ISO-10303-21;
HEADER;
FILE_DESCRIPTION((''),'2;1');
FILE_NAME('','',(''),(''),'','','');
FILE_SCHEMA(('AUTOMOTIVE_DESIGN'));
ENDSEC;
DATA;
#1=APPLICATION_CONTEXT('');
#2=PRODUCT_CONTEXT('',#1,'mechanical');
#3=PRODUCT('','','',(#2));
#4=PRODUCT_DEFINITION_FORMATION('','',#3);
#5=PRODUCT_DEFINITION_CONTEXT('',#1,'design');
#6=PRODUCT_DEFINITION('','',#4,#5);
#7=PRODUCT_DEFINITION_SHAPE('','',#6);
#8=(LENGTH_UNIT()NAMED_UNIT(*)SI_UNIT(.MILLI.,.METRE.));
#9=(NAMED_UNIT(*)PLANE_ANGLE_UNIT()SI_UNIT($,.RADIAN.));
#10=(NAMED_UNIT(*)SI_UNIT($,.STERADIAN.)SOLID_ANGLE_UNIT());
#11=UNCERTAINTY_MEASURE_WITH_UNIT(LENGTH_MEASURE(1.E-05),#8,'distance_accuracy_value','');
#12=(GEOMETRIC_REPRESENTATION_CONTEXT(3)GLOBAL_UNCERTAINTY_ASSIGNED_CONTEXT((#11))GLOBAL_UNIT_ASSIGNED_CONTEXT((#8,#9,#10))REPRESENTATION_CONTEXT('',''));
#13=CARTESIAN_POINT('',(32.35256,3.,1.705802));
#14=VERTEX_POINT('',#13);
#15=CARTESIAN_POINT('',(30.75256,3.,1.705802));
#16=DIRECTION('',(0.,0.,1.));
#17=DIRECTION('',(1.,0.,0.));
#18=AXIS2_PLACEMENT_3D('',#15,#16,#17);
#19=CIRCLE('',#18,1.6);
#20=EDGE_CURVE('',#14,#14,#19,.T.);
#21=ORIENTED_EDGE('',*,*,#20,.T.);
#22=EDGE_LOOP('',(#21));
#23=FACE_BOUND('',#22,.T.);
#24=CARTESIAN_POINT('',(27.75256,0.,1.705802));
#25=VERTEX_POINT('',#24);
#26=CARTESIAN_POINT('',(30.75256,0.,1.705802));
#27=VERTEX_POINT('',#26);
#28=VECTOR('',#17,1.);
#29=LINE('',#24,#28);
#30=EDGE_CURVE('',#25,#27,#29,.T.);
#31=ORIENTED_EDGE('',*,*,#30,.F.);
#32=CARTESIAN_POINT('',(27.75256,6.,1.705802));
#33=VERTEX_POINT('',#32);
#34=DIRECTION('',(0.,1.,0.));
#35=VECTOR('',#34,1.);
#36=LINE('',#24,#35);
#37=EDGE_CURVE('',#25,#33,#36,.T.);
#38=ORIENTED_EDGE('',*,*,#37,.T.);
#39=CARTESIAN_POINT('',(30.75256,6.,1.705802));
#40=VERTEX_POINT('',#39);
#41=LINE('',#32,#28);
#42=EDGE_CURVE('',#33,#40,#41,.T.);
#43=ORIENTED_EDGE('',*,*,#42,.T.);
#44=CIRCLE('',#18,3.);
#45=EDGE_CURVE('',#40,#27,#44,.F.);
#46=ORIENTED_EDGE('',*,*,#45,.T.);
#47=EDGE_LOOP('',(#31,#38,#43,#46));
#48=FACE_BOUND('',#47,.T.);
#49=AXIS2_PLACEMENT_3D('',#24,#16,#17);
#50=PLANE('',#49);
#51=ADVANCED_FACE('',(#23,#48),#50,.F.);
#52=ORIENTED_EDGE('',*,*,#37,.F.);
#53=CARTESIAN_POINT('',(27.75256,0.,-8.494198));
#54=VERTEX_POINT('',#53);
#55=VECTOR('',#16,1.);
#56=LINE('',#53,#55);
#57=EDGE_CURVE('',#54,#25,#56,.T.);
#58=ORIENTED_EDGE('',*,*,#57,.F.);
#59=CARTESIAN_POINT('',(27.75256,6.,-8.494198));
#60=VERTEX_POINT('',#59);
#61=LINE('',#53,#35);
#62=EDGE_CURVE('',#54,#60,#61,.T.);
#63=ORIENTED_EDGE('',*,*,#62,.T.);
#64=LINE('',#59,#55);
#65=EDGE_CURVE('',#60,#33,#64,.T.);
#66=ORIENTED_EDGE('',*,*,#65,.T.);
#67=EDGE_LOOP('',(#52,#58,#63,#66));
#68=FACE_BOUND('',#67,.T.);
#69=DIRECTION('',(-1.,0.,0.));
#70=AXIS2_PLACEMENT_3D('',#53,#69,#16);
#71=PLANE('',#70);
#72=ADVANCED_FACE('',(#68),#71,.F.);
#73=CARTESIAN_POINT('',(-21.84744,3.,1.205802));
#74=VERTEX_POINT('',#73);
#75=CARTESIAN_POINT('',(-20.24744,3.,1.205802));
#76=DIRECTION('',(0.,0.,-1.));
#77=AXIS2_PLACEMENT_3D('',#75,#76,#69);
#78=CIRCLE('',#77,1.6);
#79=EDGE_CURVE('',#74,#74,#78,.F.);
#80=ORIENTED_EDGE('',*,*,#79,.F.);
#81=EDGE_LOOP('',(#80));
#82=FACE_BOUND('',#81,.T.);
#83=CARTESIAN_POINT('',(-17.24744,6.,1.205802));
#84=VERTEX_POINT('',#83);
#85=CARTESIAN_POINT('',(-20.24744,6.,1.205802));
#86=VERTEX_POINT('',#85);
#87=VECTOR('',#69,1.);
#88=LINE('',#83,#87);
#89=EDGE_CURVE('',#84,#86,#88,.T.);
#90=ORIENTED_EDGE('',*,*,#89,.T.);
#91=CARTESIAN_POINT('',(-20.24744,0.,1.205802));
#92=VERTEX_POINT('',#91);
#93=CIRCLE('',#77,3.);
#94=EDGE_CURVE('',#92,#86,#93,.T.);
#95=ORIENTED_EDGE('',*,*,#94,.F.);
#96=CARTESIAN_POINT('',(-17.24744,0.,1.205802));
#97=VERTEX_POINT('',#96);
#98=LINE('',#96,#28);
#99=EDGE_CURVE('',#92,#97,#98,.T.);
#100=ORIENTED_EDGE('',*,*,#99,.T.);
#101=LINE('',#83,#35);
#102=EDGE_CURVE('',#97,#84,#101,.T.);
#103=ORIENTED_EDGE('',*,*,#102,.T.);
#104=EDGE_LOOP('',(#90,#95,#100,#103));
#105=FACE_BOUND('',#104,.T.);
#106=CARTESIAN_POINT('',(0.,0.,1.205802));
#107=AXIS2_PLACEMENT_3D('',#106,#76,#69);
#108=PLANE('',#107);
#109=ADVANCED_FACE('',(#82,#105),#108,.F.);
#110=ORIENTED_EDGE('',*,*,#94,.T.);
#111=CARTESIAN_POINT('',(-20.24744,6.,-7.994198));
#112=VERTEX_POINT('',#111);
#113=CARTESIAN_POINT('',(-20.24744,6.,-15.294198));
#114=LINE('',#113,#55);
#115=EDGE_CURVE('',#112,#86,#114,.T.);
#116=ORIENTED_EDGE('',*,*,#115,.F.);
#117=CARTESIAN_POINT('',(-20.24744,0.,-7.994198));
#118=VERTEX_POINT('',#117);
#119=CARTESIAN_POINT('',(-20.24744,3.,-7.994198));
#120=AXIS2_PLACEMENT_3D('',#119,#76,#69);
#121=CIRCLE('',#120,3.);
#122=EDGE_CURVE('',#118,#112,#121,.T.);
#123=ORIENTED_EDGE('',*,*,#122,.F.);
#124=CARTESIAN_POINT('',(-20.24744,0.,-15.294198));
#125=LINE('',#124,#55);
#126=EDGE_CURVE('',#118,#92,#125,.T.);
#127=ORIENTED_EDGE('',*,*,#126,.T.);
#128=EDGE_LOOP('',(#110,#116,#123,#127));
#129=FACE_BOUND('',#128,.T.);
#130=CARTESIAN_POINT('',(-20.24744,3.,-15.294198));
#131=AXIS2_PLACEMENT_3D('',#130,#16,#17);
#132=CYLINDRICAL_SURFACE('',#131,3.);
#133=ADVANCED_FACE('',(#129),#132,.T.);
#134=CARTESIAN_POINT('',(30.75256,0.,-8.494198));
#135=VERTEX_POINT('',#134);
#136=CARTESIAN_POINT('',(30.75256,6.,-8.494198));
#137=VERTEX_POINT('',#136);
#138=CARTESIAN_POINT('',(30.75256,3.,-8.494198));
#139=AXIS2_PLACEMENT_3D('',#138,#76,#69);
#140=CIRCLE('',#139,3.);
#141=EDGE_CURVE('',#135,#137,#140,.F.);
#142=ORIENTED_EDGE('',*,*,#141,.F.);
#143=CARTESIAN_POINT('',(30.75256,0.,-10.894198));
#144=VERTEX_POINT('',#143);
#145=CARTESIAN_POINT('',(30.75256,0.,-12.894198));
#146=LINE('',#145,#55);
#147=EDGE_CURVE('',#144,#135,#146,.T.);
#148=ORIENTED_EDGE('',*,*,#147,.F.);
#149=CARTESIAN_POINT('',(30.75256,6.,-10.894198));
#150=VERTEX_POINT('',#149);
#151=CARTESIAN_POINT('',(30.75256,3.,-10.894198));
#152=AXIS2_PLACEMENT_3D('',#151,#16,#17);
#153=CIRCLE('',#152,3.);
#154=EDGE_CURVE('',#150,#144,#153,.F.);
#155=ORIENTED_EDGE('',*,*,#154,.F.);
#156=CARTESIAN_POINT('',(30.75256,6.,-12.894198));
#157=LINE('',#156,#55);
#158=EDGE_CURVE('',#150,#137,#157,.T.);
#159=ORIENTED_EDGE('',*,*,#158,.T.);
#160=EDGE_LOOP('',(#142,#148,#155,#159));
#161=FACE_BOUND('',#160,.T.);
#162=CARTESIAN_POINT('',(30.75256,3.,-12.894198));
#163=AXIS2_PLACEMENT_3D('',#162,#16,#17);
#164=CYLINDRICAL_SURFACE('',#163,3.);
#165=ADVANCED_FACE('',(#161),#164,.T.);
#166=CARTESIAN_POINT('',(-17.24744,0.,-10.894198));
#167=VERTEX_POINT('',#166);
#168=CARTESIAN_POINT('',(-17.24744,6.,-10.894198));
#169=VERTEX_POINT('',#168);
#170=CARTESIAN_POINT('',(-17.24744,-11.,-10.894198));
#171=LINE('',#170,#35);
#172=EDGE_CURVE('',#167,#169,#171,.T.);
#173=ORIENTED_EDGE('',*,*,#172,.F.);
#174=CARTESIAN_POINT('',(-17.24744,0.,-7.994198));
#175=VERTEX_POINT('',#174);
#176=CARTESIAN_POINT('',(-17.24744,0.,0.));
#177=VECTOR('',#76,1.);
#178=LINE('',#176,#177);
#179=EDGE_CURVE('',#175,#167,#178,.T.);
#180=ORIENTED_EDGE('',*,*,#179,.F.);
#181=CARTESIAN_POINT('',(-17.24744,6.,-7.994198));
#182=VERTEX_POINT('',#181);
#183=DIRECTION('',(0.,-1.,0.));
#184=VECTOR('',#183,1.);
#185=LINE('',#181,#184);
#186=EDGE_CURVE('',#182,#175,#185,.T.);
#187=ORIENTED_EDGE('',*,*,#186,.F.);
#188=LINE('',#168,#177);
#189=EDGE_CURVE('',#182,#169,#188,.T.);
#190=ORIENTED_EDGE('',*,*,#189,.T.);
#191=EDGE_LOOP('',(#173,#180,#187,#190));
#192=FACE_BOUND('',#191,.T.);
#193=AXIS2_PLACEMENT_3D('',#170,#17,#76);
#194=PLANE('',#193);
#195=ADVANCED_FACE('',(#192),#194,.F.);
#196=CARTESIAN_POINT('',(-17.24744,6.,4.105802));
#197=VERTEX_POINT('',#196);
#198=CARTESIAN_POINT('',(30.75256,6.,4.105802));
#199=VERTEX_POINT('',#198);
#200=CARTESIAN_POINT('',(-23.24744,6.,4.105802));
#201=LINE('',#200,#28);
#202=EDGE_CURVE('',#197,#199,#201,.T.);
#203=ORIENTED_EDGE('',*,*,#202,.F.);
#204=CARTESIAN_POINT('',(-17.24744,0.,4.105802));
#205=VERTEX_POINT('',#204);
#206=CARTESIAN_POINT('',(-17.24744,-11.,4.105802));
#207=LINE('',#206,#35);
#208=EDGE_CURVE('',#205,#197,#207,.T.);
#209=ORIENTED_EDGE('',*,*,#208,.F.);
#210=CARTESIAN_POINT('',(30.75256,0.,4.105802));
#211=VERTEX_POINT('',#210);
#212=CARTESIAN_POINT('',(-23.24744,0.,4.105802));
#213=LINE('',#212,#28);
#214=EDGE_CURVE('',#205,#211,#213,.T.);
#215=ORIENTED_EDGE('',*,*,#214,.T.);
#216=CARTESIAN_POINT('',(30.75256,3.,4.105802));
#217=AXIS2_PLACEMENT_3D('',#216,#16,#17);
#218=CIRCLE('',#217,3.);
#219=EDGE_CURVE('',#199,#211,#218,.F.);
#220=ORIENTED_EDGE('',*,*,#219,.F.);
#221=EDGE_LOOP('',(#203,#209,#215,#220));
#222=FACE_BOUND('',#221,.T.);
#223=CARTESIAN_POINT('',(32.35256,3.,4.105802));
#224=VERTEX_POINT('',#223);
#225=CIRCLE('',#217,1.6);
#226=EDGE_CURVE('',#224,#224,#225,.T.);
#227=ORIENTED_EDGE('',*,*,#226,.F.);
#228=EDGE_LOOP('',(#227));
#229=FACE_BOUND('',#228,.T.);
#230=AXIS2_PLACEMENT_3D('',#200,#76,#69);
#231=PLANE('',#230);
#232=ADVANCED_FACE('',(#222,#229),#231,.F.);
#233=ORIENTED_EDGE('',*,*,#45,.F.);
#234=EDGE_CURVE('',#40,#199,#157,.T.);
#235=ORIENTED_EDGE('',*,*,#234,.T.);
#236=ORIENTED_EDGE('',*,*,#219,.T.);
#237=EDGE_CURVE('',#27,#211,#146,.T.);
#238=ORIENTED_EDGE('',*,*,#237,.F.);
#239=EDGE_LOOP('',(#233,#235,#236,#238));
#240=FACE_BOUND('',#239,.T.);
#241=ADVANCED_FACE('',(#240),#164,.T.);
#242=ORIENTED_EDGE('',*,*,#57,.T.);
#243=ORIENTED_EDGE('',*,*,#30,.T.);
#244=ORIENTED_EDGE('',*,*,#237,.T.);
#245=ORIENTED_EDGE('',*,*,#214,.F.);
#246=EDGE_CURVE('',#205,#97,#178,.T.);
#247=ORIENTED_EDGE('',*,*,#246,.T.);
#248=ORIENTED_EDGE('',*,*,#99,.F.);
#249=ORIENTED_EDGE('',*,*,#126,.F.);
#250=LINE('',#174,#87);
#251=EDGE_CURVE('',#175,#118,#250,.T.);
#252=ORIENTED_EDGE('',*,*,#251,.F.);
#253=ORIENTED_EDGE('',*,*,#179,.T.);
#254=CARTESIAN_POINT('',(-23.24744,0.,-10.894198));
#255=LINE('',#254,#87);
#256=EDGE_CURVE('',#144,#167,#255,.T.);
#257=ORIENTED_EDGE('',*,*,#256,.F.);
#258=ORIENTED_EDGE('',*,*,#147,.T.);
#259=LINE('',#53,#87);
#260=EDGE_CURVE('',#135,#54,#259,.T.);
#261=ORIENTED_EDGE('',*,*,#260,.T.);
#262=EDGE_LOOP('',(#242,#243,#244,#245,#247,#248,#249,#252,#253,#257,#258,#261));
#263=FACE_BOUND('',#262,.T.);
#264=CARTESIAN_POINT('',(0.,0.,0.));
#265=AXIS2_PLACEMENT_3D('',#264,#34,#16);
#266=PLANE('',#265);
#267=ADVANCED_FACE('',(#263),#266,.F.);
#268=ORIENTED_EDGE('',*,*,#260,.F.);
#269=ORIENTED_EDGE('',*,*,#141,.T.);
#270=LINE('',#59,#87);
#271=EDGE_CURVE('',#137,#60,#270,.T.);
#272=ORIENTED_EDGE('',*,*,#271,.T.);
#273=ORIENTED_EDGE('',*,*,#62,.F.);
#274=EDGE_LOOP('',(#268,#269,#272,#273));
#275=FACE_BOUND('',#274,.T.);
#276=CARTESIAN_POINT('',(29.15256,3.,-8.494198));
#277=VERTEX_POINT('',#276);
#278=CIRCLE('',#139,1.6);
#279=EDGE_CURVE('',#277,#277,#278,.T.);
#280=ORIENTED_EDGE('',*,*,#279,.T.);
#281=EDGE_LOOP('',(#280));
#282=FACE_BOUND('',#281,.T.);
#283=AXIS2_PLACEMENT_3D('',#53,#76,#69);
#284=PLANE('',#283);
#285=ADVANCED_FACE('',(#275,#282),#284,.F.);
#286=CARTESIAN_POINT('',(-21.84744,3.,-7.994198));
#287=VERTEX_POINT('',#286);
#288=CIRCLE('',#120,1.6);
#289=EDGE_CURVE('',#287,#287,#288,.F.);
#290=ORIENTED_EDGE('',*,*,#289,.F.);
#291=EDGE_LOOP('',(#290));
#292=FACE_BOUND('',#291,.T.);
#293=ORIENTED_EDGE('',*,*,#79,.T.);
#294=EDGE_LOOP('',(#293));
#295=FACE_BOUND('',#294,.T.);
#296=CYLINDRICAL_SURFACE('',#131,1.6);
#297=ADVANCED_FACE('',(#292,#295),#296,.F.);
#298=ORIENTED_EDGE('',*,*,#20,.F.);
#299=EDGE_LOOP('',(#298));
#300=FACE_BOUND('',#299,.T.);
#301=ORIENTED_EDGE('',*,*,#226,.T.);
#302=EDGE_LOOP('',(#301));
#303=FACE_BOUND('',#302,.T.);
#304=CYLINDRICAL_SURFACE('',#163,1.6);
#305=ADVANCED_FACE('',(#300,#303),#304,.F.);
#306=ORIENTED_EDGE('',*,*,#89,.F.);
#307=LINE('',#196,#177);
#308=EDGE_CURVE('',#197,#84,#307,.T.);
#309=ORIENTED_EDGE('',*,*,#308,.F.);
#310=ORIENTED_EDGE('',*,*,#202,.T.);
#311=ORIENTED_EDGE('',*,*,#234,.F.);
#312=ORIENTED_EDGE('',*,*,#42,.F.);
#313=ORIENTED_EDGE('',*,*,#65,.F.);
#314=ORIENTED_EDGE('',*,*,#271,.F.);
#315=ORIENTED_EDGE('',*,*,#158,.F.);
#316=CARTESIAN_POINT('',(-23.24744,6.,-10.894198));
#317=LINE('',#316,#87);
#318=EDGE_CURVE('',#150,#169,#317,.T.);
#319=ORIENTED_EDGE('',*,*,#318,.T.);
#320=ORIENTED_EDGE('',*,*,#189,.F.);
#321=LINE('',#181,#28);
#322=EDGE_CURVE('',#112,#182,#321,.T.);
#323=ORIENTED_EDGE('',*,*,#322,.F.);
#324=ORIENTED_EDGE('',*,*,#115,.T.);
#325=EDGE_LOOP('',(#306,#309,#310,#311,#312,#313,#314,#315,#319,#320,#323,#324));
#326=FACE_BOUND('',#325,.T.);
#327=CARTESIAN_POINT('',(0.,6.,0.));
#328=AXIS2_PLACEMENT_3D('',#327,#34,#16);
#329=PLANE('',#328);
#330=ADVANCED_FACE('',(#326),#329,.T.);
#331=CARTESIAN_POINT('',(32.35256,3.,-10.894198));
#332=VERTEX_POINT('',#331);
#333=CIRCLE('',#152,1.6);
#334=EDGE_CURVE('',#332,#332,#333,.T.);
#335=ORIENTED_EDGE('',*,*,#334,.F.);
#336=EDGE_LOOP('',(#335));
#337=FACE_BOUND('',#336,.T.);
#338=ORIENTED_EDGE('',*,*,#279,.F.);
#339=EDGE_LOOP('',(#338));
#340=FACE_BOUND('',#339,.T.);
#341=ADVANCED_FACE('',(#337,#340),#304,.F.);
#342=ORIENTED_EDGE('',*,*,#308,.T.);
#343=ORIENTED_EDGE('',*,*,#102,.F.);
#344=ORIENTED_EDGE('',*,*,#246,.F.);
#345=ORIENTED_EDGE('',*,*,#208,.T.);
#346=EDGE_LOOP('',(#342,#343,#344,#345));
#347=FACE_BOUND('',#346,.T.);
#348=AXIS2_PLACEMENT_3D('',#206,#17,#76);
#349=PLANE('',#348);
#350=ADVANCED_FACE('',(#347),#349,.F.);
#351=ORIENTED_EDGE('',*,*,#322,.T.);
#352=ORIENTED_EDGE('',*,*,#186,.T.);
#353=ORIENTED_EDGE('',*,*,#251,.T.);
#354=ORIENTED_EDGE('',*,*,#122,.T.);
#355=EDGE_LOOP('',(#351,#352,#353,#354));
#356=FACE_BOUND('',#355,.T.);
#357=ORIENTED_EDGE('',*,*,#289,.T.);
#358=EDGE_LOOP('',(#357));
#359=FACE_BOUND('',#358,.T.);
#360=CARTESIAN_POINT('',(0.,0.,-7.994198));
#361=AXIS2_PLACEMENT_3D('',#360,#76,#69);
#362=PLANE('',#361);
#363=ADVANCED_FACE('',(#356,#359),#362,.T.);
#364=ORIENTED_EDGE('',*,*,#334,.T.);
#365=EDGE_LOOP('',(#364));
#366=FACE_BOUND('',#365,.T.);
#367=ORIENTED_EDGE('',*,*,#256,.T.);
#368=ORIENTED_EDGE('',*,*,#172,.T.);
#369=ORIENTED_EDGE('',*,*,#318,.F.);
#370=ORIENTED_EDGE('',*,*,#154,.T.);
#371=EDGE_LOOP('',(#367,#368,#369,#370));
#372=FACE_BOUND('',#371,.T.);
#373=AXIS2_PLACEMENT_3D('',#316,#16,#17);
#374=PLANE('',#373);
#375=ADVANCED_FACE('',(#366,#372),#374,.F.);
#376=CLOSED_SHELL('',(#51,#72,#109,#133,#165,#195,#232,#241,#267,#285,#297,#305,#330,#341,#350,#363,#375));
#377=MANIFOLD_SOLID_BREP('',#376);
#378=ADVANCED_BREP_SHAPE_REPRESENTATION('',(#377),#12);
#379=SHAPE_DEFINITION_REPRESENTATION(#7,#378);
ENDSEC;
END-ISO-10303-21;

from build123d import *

# Parameters (mm, degrees)
SKETCH_1_W           = 57
SKETCH_1_H           = 15
EXTRUDE_5_DEPTH      = 6
SKETCH_13_W          = 6
SKETCH_13_H          = 10.2
CUT_EXTRUDE_8_DEPTH  = 6
SKETCH_14_R          = 1.6
CUT_EXTRUDE_9_DEPTH  = 17
SKETCH_15_W          = 6
SKETCH_15_H          = 2.4
CUT_EXTRUDE_10_DEPTH = 17
SKETCH_16_R          = 1.6
CUT_EXTRUDE_11_DEPTH = 17
SKETCH_17_W          = 6
SKETCH_17_H          = 6
CUT_EXTRUDE_12_DEPTH = 0.5
SKETCH_18_W          = 6
SKETCH_18_H          = 6
CUT_EXTRUDE_13_DEPTH = 0.5


with BuildPart() as part:
    # 草图1 → 凸台-拉伸5 (new body)
    with BuildSketch(Plane(origin=(0, 0, 0), x_dir=(1, 0, 0), z_dir=(0, 1, 0))):
        with Locations((5.252559727, 3.394197952)):
            Rectangle(SKETCH_1_W, SKETCH_1_H)
    extrude(amount=EXTRUDE_5_DEPTH)

    # 草图13 → 切除-拉伸8 (cut)
    with BuildSketch(Plane(origin=(0, 6, 0), x_dir=(1, 0, 0), z_dir=(0, 1, 0))):
        with Locations((30.752559727, 3.394197952)):
            Rectangle(SKETCH_13_W, SKETCH_13_H)
    extrude(amount=-CUT_EXTRUDE_8_DEPTH, mode=Mode.SUBTRACT)

    # 草图14 → 切除-拉伸9 (cut)
    with BuildSketch(Plane.XY.offset(4.105802048)):
        with Locations((30.752559727, 3)):
            Circle(SKETCH_14_R)
        with BuildLine():
            Line((33.752559727, 6), (30.752559727, 6))
            ThreePointArc((30.752559727, 6), (32.873880071, 5.121320344), (33.752559727, 3))
            Line((33.752559727, 3), (33.752559727, 6))
        make_face()
        with BuildLine():
            Line((33.752559727, 0), (33.752559727, 3))
            ThreePointArc((33.752559727, 3), (32.873880071, 0.878679656), (30.752559727, 0))
            Line((30.752559727, 0), (33.752559727, 0))
        make_face()
    extrude(amount=-CUT_EXTRUDE_9_DEPTH, mode=Mode.SUBTRACT)

    # 草图15 → 切除-拉伸10 (cut)
    with BuildSketch(Plane(origin=(0, 6, 0), x_dir=(1, 0, 0), z_dir=(0, 1, 0))):
        with Locations((-20.247440273, 9.694197952)):
            Rectangle(SKETCH_15_W, SKETCH_15_H)
        with Locations((-20.247440273, -2.905802048)):
            Rectangle(SKETCH_15_W, SKETCH_15_H)
    extrude(amount=-CUT_EXTRUDE_10_DEPTH, mode=Mode.SUBTRACT)

    # 草图16 → 切除-拉伸11 (cut)
    with BuildSketch(Plane.XY.offset(1.705802048)):
        with Locations((-20.247440273, 3)):
            Circle(SKETCH_16_R)
        with BuildLine():
            ThreePointArc((-23.247440273, 3), (-22.368760617, 5.121320344), (-20.247440273, 6))
            Line((-20.247440273, 6), (-23.247440273, 6))
            Line((-23.247440273, 6), (-23.247440273, 3))
        make_face()
        with BuildLine():
            ThreePointArc((-20.247440273, 0), (-22.368760617, 0.878679656), (-23.247440273, 3))
            Line((-23.247440273, 3), (-23.247440273, 0))
            Line((-23.247440273, 0), (-20.247440273, 0))
        make_face()
    extrude(amount=-CUT_EXTRUDE_11_DEPTH, mode=Mode.SUBTRACT)

    # 草图17 → 切除-拉伸12 (cut)
    with BuildSketch(Plane(origin=(0, 0, -8.494197952), x_dir=(-1, 0, 0), z_dir=(0, 0, -1))):
        with Locations((20.247440273, 3)):
            Rectangle(SKETCH_17_W, SKETCH_17_H)
    extrude(amount=-CUT_EXTRUDE_12_DEPTH, mode=Mode.SUBTRACT)

    # 草图18 → 切除-拉伸13 (cut)
    with BuildSketch(Plane.XY.offset(1.705802048)):
        with Locations((-20.247440273, 3)):
            Rectangle(SKETCH_18_W, SKETCH_18_H)
    extrude(amount=-CUT_EXTRUDE_13_DEPTH, mode=Mode.SUBTRACT)


solid = part.part
